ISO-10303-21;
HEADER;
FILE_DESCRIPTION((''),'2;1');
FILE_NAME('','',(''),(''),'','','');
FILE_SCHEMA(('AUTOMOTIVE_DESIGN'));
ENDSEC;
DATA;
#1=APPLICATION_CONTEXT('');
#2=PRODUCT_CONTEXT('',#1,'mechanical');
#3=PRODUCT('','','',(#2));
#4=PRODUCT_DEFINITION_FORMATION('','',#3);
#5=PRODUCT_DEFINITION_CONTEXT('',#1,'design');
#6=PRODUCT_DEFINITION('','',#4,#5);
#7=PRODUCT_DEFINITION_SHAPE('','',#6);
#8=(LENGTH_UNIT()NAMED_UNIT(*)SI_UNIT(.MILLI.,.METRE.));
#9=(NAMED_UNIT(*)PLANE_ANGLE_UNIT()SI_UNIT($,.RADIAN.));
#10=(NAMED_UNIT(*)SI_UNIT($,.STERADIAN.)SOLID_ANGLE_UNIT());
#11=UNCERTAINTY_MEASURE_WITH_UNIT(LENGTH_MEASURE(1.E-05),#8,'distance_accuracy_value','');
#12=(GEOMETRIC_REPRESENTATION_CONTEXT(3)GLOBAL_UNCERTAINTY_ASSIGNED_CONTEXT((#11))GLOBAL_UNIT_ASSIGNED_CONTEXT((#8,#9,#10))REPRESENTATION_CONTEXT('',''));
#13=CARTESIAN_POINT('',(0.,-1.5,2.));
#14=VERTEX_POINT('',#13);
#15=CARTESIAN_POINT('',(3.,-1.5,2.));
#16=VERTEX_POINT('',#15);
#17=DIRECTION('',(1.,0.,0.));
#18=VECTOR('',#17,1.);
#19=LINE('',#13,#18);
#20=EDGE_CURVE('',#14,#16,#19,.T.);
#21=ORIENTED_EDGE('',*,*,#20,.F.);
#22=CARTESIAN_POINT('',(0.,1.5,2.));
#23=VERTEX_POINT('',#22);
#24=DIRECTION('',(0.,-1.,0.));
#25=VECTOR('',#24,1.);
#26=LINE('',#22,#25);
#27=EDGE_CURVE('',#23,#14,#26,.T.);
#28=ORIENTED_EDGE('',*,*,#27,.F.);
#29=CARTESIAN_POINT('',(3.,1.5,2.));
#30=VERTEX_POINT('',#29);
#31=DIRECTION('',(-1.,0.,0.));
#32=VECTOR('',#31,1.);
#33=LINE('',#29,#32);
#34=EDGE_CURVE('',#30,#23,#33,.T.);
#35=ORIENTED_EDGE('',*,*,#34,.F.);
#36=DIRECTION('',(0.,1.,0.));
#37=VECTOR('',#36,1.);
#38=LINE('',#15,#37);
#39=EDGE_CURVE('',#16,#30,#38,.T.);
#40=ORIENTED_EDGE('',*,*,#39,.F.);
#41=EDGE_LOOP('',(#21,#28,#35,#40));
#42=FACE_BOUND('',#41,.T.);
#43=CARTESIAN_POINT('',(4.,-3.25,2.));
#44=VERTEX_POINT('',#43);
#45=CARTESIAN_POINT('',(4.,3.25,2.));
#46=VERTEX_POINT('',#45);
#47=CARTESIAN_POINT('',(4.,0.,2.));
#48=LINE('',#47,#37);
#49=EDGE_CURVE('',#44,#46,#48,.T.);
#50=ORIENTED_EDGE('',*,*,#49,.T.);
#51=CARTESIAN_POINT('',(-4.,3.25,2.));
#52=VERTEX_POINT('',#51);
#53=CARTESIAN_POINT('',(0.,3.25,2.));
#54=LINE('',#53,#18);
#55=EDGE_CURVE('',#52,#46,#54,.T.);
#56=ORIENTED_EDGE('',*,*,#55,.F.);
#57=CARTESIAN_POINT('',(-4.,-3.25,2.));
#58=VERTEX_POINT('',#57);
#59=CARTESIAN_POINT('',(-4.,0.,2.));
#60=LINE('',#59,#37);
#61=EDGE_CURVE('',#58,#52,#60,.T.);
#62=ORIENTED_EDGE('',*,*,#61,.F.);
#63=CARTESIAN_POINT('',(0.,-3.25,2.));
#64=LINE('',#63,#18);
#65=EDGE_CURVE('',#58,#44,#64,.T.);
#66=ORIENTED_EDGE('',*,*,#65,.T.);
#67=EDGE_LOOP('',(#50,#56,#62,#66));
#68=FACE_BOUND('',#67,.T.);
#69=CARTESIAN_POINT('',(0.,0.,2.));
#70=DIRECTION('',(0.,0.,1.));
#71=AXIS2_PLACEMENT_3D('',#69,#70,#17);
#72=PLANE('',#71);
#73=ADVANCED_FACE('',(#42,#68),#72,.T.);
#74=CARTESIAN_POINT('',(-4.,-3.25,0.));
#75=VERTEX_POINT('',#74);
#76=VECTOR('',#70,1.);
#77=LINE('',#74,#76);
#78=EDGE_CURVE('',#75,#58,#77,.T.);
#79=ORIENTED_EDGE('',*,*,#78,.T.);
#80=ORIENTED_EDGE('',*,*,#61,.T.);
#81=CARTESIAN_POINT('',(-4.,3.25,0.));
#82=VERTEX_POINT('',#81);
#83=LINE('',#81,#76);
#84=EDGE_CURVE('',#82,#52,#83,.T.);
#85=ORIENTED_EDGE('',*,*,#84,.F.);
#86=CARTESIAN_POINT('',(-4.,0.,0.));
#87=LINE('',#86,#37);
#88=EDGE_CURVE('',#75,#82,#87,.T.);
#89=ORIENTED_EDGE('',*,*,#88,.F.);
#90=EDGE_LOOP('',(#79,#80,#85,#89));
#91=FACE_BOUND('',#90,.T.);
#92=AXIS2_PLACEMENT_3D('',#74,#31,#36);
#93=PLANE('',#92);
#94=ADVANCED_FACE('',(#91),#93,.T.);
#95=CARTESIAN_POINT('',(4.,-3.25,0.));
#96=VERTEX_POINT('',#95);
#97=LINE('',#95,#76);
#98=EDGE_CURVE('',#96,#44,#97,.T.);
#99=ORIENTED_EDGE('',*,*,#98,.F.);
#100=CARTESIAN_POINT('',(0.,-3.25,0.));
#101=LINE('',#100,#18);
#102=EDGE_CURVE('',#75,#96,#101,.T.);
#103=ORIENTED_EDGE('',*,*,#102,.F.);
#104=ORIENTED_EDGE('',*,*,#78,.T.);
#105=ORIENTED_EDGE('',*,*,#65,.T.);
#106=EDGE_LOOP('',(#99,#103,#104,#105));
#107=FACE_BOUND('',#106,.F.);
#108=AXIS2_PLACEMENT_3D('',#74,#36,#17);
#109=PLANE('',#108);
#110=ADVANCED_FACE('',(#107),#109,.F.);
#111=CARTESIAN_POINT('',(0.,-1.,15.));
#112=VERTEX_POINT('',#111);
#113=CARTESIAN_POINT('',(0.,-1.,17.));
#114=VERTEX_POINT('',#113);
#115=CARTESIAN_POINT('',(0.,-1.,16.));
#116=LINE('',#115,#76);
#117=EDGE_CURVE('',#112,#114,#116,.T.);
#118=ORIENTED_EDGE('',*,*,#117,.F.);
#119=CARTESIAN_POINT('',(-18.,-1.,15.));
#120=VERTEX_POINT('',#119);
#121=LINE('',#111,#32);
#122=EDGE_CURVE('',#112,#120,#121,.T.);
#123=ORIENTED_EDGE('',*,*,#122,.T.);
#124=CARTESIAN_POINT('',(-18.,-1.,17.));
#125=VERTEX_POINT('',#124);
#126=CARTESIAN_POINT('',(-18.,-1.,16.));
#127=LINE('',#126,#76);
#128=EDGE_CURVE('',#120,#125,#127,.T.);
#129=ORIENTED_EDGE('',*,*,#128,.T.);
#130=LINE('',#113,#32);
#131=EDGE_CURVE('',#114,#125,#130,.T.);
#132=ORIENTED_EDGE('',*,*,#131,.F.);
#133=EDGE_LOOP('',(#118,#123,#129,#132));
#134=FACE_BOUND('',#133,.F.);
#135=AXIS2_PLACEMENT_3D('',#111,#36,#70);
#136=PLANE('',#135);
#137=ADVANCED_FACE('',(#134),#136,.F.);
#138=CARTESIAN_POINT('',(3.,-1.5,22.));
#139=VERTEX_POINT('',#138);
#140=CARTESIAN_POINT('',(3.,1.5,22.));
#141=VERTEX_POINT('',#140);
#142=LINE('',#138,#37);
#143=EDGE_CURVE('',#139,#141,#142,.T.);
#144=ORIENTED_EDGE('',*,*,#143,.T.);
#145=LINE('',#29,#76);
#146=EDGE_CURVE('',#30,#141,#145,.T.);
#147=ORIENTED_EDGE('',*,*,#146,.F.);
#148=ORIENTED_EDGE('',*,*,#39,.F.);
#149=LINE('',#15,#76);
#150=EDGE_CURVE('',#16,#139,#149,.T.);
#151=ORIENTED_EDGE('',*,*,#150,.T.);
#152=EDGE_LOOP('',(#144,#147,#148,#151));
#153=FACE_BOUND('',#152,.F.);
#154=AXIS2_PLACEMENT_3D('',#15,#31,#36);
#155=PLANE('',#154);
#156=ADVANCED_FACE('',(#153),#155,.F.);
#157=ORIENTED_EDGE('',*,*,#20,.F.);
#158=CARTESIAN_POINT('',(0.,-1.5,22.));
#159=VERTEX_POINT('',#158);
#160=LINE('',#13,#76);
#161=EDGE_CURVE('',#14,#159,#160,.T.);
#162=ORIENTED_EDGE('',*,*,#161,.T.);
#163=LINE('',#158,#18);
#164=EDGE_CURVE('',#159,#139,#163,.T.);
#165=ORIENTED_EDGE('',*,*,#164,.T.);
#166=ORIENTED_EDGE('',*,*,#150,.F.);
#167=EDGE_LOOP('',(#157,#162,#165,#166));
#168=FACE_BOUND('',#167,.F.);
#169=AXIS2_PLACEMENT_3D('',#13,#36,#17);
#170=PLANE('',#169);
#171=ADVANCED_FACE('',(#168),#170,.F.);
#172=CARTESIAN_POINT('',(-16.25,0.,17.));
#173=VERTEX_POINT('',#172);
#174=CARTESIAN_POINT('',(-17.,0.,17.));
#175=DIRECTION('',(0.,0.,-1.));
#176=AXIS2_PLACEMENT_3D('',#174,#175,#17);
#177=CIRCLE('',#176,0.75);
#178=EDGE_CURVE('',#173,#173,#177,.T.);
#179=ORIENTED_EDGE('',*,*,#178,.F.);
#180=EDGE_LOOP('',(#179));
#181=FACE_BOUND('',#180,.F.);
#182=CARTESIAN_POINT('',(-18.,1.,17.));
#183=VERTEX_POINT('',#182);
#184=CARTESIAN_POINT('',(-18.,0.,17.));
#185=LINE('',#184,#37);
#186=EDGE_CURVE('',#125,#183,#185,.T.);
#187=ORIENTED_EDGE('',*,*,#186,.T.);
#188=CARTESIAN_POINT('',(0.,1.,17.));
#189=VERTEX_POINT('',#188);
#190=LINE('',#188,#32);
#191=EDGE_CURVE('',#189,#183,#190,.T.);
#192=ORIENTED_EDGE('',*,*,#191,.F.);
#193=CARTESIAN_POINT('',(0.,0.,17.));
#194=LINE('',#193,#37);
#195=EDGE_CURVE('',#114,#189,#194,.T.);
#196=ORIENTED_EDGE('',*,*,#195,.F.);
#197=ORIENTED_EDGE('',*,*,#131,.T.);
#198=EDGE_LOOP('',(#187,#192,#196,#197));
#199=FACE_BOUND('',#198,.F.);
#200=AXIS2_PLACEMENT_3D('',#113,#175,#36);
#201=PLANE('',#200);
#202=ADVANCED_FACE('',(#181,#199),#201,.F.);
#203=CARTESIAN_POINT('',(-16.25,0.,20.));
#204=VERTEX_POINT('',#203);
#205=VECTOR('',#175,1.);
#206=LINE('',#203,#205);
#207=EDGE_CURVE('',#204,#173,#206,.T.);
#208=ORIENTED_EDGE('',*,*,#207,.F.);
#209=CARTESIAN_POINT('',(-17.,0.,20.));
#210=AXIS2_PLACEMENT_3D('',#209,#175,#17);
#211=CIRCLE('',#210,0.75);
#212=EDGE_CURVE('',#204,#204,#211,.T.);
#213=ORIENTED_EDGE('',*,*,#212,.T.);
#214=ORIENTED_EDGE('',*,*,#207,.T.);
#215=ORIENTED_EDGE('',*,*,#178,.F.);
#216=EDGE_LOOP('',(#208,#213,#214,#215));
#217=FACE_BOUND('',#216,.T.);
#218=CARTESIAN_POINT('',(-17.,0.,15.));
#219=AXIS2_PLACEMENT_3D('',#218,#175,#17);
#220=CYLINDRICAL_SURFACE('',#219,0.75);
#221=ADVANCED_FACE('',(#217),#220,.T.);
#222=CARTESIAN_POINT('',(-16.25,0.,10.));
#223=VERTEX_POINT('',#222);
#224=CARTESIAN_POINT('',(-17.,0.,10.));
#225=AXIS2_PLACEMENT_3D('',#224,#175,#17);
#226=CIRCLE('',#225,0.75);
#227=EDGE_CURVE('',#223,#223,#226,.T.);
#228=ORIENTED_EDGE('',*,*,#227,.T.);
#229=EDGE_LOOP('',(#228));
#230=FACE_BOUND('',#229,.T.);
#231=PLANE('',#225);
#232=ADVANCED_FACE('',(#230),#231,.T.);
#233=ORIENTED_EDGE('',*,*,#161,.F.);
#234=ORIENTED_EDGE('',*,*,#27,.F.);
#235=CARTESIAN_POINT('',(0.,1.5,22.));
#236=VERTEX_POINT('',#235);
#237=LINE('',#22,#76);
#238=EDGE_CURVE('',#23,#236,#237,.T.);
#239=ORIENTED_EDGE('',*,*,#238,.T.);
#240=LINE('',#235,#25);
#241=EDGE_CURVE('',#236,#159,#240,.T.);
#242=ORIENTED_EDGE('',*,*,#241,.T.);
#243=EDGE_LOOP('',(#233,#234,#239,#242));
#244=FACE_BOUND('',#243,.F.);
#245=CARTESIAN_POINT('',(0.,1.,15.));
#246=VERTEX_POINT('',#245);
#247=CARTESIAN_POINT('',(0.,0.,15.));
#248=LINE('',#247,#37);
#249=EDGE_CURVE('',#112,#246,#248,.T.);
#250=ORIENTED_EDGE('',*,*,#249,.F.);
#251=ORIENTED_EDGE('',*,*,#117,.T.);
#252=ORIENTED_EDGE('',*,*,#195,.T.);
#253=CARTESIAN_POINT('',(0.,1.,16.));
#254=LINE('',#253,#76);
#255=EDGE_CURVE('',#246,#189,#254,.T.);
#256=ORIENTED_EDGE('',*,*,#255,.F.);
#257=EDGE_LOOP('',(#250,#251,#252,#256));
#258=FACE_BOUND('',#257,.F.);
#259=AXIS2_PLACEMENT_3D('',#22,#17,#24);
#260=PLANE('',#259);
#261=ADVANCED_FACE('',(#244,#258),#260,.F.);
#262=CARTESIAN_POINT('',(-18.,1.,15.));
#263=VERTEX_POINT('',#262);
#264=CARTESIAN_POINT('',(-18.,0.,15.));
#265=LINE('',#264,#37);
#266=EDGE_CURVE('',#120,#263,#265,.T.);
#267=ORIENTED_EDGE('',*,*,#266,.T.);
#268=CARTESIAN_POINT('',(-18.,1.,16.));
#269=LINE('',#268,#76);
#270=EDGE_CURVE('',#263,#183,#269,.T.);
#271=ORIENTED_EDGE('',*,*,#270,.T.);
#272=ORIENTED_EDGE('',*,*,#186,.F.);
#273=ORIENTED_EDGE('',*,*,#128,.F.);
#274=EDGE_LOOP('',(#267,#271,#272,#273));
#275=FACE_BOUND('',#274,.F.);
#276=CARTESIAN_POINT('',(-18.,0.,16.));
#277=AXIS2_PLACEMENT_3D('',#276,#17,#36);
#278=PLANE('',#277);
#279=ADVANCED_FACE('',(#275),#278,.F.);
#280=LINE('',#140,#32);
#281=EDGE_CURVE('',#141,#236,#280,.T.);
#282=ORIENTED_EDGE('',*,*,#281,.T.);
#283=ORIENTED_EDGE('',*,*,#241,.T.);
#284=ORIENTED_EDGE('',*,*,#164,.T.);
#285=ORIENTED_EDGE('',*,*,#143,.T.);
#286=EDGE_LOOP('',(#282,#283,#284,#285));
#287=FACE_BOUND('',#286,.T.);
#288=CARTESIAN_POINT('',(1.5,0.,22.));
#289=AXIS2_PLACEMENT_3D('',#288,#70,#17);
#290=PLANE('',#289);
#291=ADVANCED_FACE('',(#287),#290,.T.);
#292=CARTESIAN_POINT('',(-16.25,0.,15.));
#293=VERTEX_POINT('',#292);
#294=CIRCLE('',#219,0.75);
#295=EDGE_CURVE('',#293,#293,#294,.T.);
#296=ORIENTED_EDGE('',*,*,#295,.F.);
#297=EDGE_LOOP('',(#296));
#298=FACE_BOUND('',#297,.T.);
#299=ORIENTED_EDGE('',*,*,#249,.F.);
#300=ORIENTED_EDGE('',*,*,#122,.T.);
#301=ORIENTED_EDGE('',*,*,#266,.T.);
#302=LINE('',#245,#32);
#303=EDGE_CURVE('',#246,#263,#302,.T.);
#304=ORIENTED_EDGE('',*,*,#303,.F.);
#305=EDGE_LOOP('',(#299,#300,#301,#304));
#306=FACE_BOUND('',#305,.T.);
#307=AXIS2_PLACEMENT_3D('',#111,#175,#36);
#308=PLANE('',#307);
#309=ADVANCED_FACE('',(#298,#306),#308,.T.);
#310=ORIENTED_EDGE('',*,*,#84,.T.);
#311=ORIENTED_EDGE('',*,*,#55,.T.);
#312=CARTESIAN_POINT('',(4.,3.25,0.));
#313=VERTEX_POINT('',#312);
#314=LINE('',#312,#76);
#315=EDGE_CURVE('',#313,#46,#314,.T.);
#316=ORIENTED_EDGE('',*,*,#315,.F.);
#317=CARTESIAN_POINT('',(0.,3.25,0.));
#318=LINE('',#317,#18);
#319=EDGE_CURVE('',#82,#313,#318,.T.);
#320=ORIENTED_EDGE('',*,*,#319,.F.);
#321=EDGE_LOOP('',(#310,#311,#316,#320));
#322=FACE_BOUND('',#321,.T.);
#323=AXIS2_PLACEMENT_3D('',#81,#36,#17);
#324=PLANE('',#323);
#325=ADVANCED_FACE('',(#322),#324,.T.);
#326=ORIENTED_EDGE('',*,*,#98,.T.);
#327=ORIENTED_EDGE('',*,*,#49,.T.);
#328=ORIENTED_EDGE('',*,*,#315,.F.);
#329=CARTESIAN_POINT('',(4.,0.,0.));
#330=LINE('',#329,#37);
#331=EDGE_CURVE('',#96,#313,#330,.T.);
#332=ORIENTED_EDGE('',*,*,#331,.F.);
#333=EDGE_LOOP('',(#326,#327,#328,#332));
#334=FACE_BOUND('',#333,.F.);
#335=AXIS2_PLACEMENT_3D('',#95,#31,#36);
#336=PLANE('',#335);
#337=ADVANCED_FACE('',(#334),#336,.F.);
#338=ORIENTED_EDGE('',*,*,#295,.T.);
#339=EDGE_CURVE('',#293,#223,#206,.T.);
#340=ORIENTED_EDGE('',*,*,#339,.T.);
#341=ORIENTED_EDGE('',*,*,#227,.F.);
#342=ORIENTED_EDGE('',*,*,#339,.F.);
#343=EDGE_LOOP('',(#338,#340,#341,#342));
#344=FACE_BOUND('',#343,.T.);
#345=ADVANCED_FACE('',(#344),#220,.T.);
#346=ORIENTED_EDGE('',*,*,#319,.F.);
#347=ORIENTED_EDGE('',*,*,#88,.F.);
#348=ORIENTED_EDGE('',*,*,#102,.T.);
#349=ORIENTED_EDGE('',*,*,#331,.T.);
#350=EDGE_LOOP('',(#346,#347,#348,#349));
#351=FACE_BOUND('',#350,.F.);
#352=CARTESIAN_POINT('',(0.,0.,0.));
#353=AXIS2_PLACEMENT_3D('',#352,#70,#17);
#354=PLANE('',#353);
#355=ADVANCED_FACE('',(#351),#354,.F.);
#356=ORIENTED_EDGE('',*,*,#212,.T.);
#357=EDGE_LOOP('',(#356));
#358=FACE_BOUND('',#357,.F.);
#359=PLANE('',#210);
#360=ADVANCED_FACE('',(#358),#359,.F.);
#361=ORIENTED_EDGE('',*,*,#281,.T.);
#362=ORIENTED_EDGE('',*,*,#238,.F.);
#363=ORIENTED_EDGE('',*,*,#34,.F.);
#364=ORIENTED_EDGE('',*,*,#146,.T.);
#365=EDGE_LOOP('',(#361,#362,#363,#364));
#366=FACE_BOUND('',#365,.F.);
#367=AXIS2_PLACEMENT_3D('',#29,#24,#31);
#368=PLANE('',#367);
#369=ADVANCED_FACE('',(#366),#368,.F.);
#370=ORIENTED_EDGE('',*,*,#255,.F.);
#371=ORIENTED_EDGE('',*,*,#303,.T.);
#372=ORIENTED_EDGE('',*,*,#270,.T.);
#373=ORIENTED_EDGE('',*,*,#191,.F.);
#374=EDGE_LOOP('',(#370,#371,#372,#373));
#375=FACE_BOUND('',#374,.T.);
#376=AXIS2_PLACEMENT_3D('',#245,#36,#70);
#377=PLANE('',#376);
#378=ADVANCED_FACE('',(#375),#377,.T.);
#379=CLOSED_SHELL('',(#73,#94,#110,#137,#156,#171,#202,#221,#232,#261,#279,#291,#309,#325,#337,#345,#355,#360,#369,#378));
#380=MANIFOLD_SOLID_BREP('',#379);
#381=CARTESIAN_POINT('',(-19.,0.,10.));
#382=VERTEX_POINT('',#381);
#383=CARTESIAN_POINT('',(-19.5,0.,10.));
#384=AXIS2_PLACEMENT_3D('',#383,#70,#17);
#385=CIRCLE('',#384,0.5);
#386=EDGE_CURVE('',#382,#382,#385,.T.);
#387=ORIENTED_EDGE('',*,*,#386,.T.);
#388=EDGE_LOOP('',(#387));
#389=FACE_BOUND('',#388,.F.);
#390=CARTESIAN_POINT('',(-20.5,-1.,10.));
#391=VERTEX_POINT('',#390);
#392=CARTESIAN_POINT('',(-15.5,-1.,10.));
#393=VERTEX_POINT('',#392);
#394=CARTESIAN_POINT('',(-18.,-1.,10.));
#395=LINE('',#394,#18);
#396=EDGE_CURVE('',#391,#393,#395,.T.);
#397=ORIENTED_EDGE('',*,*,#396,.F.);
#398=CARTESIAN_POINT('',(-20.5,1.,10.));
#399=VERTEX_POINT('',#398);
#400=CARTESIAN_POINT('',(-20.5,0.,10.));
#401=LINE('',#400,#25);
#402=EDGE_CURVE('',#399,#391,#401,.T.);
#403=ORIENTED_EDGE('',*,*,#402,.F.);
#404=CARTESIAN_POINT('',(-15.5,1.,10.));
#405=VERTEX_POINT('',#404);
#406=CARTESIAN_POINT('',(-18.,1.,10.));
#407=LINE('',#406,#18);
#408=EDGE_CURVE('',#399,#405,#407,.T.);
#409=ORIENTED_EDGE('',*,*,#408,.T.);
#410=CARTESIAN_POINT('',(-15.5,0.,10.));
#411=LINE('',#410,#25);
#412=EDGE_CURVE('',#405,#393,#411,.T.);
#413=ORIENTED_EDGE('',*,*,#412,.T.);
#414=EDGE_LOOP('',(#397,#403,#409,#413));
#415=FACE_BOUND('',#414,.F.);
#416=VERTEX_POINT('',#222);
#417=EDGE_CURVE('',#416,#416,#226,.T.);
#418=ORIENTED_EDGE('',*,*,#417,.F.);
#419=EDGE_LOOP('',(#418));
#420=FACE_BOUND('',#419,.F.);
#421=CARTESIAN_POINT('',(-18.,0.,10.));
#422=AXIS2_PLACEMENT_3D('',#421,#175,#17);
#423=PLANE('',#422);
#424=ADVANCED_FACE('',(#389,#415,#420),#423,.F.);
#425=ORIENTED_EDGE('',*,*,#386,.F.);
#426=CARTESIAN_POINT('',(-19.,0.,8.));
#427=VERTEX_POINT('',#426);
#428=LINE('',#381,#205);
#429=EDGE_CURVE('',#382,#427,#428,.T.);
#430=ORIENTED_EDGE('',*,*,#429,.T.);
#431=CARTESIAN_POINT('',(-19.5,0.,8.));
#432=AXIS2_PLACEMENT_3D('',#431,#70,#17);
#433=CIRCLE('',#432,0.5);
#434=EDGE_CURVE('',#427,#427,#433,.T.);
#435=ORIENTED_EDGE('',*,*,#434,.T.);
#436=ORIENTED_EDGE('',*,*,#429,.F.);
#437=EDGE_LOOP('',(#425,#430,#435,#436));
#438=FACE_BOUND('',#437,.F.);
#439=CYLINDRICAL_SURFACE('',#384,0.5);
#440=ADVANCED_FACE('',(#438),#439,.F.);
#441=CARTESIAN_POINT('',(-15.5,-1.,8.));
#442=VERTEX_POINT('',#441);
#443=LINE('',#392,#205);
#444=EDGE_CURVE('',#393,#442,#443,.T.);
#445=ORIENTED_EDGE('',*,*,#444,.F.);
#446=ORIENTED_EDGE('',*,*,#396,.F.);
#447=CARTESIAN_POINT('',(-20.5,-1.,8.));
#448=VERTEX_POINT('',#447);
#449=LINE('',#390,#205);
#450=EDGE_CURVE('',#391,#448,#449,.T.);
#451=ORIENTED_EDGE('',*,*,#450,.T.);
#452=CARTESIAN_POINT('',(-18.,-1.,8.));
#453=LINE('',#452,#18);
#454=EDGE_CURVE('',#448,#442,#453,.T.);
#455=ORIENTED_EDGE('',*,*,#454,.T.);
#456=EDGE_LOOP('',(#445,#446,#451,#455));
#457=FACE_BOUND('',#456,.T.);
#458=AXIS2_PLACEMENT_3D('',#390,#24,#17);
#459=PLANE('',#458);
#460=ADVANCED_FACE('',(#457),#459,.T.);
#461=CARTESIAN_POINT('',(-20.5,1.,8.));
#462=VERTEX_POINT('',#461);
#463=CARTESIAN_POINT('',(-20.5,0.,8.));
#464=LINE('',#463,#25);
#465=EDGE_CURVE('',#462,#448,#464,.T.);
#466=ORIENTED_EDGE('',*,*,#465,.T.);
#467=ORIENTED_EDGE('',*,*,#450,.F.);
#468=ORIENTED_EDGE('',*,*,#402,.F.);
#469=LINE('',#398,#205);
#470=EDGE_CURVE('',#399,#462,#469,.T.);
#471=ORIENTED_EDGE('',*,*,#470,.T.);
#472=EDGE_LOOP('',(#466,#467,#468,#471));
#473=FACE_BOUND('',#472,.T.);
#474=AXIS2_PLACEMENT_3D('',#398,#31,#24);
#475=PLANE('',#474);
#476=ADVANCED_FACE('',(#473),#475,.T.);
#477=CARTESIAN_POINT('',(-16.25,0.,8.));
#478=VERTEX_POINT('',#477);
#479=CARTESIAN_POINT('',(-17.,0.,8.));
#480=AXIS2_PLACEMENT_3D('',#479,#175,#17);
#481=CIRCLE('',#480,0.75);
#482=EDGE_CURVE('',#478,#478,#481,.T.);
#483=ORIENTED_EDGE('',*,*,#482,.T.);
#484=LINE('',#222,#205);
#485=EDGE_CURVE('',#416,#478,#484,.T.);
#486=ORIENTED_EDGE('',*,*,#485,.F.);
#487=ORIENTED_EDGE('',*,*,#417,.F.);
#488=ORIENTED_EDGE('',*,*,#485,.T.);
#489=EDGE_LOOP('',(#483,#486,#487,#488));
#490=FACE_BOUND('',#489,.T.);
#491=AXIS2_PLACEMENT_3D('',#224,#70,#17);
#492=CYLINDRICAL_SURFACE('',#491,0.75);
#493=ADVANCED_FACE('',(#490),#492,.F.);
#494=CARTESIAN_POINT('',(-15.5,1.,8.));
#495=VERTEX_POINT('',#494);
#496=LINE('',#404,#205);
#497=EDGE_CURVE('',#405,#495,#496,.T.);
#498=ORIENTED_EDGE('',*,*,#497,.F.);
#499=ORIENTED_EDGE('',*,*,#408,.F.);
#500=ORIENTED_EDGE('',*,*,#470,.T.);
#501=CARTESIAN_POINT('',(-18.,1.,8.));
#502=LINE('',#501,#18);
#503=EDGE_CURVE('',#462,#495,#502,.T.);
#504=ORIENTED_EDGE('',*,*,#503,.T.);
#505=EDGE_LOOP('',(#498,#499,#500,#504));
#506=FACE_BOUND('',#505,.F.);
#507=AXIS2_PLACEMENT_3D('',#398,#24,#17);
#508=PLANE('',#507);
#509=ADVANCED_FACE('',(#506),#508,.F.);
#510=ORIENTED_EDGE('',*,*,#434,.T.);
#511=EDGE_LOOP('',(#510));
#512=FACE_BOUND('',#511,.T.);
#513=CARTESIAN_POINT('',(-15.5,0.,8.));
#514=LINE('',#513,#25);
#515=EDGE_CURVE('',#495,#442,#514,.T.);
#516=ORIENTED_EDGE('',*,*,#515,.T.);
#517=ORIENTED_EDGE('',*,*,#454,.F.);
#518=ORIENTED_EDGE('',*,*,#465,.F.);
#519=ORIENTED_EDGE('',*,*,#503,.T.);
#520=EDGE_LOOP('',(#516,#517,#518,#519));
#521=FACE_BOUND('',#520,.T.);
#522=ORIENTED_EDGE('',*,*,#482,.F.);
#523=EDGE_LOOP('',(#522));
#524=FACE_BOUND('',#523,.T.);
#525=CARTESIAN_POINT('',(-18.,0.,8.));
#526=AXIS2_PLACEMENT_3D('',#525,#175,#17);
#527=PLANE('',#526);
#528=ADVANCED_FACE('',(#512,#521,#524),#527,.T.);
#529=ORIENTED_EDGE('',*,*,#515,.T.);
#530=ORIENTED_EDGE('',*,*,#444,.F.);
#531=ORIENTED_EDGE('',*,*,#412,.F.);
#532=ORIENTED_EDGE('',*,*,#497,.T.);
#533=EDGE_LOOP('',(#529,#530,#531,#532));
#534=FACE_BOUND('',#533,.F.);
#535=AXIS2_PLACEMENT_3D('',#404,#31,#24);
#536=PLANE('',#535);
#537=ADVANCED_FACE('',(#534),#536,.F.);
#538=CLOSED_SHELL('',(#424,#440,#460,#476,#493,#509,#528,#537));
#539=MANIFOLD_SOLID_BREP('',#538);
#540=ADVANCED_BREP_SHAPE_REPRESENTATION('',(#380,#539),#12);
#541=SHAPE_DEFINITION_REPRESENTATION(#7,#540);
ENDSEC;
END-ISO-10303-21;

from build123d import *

# Parameters (mm, degrees)
F0_W      = 8
F0_H      = 6.5
F1_DEPTH  = 2
F3_DEPTH  = 20
F4_W      = 2
F4_H      = 2
F5_DEPTH  = 18
F6_R      = 0.75
F7_DEPTH  = 5
F8_W      = 5
F8_H      = 2
F8_R      = 0.75
F9_DEPTH  = 2
F10_R     = 0.5
F11_DEPTH = 25


with BuildPart() as f1:
    # F0 (on Top) → F1 (new body)
    with BuildSketch(Plane.XY):
        Rectangle(F0_W, F0_H)
    extrude(amount=F1_DEPTH)

    # F2 (on face) → F3 (join)
    with BuildSketch(Plane.XY.offset(2)):
        Polygon((0, 1.5), (0, 0), (0, -1.5), (3, -1.5), (3, 1.5), align=None)
    extrude(amount=F3_DEPTH)

    # F4 (on Right) → F5 (join)
    with BuildSketch(Plane.YZ):
        with Locations((0, 16)):
            Rectangle(F4_W, F4_H)
    extrude(amount=-F5_DEPTH)

    # F6 (on face) → F7 (join, symmetric)
    with BuildSketch(Plane(origin=(0, 0, 15), x_dir=(1, 0, 0), z_dir=(0, 0, -1))):
        with Locations((-17, 0)):
            Circle(F6_R)
    extrude(amount=F7_DEPTH, both=True)


with BuildPart() as f9:
    # F8 (on face) → F9 (new body)
    with BuildSketch(Plane(origin=(0, 0, 10), x_dir=(1, 0, 0), z_dir=(0, 0, -1))):
        with Locations((-18, 0)):
            Rectangle(F8_W, F8_H)
        with Locations((-17, 0)):
            Circle(F8_R, mode=Mode.SUBTRACT)
    extrude(amount=F9_DEPTH)

    # F10 (on face) → F11 (cut)
    with BuildSketch(Plane.XY.offset(10)):
        with Locations((-19.5, 0)):
            Circle(F10_R)
    extrude(amount=-F11_DEPTH, mode=Mode.SUBTRACT)


solid = Compound([f1.part, f9.part])
